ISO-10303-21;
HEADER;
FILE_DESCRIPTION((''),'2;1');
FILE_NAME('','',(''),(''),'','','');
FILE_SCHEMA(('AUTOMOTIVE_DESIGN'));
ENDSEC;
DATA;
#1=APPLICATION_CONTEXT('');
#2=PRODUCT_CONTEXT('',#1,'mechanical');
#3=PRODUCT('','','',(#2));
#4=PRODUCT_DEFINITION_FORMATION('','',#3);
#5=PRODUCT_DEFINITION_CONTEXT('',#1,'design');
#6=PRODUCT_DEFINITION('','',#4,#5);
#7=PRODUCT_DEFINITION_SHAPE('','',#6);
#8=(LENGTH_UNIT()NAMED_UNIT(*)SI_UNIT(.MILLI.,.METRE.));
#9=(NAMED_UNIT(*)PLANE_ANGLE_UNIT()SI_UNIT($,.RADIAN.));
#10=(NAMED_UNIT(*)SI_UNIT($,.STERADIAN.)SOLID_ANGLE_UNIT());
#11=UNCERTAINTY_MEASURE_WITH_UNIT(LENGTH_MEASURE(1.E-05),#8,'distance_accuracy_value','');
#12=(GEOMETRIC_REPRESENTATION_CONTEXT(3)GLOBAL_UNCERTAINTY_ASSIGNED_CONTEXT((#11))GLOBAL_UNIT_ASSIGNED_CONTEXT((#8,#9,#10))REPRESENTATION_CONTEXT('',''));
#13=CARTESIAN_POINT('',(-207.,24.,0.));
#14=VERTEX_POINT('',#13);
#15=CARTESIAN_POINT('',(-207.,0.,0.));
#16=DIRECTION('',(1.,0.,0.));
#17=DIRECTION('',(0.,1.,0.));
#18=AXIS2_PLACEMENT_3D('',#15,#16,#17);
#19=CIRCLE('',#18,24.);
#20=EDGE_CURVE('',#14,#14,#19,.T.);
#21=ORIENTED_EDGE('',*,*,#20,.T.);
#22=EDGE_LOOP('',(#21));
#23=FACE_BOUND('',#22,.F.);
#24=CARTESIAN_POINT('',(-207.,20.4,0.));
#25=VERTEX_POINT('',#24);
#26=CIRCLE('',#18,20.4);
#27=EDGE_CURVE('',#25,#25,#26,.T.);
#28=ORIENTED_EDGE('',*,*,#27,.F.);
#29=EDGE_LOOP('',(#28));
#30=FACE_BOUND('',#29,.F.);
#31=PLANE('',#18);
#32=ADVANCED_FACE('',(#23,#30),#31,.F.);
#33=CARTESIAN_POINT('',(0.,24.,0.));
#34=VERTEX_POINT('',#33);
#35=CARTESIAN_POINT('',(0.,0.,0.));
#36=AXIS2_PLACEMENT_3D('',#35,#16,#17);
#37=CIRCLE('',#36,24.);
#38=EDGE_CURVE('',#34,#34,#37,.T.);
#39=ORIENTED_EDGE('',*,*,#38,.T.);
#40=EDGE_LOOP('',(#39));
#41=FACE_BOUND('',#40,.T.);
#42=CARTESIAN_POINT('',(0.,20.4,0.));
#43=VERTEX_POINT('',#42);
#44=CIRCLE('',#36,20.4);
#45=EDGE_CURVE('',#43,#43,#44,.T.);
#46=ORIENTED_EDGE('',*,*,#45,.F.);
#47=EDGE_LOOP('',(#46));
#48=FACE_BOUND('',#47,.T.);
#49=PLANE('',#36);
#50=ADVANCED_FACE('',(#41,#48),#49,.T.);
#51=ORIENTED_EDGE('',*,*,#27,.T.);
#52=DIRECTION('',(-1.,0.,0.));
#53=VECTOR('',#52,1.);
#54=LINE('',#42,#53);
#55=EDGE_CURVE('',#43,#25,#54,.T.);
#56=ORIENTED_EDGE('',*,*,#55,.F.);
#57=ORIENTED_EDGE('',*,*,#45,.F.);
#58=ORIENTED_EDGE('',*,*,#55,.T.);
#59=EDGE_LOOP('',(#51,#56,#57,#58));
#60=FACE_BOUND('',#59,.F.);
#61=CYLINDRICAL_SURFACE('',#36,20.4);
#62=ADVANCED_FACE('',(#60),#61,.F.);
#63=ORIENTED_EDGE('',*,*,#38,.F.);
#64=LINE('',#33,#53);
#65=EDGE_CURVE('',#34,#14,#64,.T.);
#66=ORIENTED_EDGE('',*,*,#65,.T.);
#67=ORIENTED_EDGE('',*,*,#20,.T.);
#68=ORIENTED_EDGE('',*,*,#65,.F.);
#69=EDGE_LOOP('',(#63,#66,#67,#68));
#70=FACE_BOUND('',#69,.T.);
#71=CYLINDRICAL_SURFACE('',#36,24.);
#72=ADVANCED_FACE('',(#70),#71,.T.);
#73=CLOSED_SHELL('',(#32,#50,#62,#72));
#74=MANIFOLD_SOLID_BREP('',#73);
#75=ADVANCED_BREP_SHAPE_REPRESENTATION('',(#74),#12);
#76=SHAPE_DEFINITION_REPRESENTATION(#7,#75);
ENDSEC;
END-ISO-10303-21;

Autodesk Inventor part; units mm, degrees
ref_plane "YZ Plane" through (0, 0, 0) normal (1, 0, 0) x (0, 1, 0)
ref_plane "XZ Plane" through (0, 0, 0) normal (0, 1, 0) x (-1, 0, 0)
ref_plane "XY Plane" through (0, 0, 0) normal (0, 0, 1) x (1, 0, 0)
sketch "Sketch1" plane through (0, 0, 0) normal (1, 0, 0) x (0, 1, 0)
  circle A0 centre (0, 0) radius 24
  circle A1 centre (0, 0) radius 20.4
  dimension "d0" = 48
  dimension "d1" = 40.8
extrude "Extrusion1" add sketch "Sketch1" against normal blind 207
equation "\"d0\" = OD"
equation "\"d1\" = OD - 2 * t"
equation "\"d2\" = L"
equation "\"OD\" = 48"
equation "\"t\" = 3.6"
equation "\"L\" = PL"
equation "\"ID\" = 40.8"
equation "\"PL\" = 207"
equation "\"Size_Designation\" = 1.2345"
properties material "PVC, Unplasticized"
